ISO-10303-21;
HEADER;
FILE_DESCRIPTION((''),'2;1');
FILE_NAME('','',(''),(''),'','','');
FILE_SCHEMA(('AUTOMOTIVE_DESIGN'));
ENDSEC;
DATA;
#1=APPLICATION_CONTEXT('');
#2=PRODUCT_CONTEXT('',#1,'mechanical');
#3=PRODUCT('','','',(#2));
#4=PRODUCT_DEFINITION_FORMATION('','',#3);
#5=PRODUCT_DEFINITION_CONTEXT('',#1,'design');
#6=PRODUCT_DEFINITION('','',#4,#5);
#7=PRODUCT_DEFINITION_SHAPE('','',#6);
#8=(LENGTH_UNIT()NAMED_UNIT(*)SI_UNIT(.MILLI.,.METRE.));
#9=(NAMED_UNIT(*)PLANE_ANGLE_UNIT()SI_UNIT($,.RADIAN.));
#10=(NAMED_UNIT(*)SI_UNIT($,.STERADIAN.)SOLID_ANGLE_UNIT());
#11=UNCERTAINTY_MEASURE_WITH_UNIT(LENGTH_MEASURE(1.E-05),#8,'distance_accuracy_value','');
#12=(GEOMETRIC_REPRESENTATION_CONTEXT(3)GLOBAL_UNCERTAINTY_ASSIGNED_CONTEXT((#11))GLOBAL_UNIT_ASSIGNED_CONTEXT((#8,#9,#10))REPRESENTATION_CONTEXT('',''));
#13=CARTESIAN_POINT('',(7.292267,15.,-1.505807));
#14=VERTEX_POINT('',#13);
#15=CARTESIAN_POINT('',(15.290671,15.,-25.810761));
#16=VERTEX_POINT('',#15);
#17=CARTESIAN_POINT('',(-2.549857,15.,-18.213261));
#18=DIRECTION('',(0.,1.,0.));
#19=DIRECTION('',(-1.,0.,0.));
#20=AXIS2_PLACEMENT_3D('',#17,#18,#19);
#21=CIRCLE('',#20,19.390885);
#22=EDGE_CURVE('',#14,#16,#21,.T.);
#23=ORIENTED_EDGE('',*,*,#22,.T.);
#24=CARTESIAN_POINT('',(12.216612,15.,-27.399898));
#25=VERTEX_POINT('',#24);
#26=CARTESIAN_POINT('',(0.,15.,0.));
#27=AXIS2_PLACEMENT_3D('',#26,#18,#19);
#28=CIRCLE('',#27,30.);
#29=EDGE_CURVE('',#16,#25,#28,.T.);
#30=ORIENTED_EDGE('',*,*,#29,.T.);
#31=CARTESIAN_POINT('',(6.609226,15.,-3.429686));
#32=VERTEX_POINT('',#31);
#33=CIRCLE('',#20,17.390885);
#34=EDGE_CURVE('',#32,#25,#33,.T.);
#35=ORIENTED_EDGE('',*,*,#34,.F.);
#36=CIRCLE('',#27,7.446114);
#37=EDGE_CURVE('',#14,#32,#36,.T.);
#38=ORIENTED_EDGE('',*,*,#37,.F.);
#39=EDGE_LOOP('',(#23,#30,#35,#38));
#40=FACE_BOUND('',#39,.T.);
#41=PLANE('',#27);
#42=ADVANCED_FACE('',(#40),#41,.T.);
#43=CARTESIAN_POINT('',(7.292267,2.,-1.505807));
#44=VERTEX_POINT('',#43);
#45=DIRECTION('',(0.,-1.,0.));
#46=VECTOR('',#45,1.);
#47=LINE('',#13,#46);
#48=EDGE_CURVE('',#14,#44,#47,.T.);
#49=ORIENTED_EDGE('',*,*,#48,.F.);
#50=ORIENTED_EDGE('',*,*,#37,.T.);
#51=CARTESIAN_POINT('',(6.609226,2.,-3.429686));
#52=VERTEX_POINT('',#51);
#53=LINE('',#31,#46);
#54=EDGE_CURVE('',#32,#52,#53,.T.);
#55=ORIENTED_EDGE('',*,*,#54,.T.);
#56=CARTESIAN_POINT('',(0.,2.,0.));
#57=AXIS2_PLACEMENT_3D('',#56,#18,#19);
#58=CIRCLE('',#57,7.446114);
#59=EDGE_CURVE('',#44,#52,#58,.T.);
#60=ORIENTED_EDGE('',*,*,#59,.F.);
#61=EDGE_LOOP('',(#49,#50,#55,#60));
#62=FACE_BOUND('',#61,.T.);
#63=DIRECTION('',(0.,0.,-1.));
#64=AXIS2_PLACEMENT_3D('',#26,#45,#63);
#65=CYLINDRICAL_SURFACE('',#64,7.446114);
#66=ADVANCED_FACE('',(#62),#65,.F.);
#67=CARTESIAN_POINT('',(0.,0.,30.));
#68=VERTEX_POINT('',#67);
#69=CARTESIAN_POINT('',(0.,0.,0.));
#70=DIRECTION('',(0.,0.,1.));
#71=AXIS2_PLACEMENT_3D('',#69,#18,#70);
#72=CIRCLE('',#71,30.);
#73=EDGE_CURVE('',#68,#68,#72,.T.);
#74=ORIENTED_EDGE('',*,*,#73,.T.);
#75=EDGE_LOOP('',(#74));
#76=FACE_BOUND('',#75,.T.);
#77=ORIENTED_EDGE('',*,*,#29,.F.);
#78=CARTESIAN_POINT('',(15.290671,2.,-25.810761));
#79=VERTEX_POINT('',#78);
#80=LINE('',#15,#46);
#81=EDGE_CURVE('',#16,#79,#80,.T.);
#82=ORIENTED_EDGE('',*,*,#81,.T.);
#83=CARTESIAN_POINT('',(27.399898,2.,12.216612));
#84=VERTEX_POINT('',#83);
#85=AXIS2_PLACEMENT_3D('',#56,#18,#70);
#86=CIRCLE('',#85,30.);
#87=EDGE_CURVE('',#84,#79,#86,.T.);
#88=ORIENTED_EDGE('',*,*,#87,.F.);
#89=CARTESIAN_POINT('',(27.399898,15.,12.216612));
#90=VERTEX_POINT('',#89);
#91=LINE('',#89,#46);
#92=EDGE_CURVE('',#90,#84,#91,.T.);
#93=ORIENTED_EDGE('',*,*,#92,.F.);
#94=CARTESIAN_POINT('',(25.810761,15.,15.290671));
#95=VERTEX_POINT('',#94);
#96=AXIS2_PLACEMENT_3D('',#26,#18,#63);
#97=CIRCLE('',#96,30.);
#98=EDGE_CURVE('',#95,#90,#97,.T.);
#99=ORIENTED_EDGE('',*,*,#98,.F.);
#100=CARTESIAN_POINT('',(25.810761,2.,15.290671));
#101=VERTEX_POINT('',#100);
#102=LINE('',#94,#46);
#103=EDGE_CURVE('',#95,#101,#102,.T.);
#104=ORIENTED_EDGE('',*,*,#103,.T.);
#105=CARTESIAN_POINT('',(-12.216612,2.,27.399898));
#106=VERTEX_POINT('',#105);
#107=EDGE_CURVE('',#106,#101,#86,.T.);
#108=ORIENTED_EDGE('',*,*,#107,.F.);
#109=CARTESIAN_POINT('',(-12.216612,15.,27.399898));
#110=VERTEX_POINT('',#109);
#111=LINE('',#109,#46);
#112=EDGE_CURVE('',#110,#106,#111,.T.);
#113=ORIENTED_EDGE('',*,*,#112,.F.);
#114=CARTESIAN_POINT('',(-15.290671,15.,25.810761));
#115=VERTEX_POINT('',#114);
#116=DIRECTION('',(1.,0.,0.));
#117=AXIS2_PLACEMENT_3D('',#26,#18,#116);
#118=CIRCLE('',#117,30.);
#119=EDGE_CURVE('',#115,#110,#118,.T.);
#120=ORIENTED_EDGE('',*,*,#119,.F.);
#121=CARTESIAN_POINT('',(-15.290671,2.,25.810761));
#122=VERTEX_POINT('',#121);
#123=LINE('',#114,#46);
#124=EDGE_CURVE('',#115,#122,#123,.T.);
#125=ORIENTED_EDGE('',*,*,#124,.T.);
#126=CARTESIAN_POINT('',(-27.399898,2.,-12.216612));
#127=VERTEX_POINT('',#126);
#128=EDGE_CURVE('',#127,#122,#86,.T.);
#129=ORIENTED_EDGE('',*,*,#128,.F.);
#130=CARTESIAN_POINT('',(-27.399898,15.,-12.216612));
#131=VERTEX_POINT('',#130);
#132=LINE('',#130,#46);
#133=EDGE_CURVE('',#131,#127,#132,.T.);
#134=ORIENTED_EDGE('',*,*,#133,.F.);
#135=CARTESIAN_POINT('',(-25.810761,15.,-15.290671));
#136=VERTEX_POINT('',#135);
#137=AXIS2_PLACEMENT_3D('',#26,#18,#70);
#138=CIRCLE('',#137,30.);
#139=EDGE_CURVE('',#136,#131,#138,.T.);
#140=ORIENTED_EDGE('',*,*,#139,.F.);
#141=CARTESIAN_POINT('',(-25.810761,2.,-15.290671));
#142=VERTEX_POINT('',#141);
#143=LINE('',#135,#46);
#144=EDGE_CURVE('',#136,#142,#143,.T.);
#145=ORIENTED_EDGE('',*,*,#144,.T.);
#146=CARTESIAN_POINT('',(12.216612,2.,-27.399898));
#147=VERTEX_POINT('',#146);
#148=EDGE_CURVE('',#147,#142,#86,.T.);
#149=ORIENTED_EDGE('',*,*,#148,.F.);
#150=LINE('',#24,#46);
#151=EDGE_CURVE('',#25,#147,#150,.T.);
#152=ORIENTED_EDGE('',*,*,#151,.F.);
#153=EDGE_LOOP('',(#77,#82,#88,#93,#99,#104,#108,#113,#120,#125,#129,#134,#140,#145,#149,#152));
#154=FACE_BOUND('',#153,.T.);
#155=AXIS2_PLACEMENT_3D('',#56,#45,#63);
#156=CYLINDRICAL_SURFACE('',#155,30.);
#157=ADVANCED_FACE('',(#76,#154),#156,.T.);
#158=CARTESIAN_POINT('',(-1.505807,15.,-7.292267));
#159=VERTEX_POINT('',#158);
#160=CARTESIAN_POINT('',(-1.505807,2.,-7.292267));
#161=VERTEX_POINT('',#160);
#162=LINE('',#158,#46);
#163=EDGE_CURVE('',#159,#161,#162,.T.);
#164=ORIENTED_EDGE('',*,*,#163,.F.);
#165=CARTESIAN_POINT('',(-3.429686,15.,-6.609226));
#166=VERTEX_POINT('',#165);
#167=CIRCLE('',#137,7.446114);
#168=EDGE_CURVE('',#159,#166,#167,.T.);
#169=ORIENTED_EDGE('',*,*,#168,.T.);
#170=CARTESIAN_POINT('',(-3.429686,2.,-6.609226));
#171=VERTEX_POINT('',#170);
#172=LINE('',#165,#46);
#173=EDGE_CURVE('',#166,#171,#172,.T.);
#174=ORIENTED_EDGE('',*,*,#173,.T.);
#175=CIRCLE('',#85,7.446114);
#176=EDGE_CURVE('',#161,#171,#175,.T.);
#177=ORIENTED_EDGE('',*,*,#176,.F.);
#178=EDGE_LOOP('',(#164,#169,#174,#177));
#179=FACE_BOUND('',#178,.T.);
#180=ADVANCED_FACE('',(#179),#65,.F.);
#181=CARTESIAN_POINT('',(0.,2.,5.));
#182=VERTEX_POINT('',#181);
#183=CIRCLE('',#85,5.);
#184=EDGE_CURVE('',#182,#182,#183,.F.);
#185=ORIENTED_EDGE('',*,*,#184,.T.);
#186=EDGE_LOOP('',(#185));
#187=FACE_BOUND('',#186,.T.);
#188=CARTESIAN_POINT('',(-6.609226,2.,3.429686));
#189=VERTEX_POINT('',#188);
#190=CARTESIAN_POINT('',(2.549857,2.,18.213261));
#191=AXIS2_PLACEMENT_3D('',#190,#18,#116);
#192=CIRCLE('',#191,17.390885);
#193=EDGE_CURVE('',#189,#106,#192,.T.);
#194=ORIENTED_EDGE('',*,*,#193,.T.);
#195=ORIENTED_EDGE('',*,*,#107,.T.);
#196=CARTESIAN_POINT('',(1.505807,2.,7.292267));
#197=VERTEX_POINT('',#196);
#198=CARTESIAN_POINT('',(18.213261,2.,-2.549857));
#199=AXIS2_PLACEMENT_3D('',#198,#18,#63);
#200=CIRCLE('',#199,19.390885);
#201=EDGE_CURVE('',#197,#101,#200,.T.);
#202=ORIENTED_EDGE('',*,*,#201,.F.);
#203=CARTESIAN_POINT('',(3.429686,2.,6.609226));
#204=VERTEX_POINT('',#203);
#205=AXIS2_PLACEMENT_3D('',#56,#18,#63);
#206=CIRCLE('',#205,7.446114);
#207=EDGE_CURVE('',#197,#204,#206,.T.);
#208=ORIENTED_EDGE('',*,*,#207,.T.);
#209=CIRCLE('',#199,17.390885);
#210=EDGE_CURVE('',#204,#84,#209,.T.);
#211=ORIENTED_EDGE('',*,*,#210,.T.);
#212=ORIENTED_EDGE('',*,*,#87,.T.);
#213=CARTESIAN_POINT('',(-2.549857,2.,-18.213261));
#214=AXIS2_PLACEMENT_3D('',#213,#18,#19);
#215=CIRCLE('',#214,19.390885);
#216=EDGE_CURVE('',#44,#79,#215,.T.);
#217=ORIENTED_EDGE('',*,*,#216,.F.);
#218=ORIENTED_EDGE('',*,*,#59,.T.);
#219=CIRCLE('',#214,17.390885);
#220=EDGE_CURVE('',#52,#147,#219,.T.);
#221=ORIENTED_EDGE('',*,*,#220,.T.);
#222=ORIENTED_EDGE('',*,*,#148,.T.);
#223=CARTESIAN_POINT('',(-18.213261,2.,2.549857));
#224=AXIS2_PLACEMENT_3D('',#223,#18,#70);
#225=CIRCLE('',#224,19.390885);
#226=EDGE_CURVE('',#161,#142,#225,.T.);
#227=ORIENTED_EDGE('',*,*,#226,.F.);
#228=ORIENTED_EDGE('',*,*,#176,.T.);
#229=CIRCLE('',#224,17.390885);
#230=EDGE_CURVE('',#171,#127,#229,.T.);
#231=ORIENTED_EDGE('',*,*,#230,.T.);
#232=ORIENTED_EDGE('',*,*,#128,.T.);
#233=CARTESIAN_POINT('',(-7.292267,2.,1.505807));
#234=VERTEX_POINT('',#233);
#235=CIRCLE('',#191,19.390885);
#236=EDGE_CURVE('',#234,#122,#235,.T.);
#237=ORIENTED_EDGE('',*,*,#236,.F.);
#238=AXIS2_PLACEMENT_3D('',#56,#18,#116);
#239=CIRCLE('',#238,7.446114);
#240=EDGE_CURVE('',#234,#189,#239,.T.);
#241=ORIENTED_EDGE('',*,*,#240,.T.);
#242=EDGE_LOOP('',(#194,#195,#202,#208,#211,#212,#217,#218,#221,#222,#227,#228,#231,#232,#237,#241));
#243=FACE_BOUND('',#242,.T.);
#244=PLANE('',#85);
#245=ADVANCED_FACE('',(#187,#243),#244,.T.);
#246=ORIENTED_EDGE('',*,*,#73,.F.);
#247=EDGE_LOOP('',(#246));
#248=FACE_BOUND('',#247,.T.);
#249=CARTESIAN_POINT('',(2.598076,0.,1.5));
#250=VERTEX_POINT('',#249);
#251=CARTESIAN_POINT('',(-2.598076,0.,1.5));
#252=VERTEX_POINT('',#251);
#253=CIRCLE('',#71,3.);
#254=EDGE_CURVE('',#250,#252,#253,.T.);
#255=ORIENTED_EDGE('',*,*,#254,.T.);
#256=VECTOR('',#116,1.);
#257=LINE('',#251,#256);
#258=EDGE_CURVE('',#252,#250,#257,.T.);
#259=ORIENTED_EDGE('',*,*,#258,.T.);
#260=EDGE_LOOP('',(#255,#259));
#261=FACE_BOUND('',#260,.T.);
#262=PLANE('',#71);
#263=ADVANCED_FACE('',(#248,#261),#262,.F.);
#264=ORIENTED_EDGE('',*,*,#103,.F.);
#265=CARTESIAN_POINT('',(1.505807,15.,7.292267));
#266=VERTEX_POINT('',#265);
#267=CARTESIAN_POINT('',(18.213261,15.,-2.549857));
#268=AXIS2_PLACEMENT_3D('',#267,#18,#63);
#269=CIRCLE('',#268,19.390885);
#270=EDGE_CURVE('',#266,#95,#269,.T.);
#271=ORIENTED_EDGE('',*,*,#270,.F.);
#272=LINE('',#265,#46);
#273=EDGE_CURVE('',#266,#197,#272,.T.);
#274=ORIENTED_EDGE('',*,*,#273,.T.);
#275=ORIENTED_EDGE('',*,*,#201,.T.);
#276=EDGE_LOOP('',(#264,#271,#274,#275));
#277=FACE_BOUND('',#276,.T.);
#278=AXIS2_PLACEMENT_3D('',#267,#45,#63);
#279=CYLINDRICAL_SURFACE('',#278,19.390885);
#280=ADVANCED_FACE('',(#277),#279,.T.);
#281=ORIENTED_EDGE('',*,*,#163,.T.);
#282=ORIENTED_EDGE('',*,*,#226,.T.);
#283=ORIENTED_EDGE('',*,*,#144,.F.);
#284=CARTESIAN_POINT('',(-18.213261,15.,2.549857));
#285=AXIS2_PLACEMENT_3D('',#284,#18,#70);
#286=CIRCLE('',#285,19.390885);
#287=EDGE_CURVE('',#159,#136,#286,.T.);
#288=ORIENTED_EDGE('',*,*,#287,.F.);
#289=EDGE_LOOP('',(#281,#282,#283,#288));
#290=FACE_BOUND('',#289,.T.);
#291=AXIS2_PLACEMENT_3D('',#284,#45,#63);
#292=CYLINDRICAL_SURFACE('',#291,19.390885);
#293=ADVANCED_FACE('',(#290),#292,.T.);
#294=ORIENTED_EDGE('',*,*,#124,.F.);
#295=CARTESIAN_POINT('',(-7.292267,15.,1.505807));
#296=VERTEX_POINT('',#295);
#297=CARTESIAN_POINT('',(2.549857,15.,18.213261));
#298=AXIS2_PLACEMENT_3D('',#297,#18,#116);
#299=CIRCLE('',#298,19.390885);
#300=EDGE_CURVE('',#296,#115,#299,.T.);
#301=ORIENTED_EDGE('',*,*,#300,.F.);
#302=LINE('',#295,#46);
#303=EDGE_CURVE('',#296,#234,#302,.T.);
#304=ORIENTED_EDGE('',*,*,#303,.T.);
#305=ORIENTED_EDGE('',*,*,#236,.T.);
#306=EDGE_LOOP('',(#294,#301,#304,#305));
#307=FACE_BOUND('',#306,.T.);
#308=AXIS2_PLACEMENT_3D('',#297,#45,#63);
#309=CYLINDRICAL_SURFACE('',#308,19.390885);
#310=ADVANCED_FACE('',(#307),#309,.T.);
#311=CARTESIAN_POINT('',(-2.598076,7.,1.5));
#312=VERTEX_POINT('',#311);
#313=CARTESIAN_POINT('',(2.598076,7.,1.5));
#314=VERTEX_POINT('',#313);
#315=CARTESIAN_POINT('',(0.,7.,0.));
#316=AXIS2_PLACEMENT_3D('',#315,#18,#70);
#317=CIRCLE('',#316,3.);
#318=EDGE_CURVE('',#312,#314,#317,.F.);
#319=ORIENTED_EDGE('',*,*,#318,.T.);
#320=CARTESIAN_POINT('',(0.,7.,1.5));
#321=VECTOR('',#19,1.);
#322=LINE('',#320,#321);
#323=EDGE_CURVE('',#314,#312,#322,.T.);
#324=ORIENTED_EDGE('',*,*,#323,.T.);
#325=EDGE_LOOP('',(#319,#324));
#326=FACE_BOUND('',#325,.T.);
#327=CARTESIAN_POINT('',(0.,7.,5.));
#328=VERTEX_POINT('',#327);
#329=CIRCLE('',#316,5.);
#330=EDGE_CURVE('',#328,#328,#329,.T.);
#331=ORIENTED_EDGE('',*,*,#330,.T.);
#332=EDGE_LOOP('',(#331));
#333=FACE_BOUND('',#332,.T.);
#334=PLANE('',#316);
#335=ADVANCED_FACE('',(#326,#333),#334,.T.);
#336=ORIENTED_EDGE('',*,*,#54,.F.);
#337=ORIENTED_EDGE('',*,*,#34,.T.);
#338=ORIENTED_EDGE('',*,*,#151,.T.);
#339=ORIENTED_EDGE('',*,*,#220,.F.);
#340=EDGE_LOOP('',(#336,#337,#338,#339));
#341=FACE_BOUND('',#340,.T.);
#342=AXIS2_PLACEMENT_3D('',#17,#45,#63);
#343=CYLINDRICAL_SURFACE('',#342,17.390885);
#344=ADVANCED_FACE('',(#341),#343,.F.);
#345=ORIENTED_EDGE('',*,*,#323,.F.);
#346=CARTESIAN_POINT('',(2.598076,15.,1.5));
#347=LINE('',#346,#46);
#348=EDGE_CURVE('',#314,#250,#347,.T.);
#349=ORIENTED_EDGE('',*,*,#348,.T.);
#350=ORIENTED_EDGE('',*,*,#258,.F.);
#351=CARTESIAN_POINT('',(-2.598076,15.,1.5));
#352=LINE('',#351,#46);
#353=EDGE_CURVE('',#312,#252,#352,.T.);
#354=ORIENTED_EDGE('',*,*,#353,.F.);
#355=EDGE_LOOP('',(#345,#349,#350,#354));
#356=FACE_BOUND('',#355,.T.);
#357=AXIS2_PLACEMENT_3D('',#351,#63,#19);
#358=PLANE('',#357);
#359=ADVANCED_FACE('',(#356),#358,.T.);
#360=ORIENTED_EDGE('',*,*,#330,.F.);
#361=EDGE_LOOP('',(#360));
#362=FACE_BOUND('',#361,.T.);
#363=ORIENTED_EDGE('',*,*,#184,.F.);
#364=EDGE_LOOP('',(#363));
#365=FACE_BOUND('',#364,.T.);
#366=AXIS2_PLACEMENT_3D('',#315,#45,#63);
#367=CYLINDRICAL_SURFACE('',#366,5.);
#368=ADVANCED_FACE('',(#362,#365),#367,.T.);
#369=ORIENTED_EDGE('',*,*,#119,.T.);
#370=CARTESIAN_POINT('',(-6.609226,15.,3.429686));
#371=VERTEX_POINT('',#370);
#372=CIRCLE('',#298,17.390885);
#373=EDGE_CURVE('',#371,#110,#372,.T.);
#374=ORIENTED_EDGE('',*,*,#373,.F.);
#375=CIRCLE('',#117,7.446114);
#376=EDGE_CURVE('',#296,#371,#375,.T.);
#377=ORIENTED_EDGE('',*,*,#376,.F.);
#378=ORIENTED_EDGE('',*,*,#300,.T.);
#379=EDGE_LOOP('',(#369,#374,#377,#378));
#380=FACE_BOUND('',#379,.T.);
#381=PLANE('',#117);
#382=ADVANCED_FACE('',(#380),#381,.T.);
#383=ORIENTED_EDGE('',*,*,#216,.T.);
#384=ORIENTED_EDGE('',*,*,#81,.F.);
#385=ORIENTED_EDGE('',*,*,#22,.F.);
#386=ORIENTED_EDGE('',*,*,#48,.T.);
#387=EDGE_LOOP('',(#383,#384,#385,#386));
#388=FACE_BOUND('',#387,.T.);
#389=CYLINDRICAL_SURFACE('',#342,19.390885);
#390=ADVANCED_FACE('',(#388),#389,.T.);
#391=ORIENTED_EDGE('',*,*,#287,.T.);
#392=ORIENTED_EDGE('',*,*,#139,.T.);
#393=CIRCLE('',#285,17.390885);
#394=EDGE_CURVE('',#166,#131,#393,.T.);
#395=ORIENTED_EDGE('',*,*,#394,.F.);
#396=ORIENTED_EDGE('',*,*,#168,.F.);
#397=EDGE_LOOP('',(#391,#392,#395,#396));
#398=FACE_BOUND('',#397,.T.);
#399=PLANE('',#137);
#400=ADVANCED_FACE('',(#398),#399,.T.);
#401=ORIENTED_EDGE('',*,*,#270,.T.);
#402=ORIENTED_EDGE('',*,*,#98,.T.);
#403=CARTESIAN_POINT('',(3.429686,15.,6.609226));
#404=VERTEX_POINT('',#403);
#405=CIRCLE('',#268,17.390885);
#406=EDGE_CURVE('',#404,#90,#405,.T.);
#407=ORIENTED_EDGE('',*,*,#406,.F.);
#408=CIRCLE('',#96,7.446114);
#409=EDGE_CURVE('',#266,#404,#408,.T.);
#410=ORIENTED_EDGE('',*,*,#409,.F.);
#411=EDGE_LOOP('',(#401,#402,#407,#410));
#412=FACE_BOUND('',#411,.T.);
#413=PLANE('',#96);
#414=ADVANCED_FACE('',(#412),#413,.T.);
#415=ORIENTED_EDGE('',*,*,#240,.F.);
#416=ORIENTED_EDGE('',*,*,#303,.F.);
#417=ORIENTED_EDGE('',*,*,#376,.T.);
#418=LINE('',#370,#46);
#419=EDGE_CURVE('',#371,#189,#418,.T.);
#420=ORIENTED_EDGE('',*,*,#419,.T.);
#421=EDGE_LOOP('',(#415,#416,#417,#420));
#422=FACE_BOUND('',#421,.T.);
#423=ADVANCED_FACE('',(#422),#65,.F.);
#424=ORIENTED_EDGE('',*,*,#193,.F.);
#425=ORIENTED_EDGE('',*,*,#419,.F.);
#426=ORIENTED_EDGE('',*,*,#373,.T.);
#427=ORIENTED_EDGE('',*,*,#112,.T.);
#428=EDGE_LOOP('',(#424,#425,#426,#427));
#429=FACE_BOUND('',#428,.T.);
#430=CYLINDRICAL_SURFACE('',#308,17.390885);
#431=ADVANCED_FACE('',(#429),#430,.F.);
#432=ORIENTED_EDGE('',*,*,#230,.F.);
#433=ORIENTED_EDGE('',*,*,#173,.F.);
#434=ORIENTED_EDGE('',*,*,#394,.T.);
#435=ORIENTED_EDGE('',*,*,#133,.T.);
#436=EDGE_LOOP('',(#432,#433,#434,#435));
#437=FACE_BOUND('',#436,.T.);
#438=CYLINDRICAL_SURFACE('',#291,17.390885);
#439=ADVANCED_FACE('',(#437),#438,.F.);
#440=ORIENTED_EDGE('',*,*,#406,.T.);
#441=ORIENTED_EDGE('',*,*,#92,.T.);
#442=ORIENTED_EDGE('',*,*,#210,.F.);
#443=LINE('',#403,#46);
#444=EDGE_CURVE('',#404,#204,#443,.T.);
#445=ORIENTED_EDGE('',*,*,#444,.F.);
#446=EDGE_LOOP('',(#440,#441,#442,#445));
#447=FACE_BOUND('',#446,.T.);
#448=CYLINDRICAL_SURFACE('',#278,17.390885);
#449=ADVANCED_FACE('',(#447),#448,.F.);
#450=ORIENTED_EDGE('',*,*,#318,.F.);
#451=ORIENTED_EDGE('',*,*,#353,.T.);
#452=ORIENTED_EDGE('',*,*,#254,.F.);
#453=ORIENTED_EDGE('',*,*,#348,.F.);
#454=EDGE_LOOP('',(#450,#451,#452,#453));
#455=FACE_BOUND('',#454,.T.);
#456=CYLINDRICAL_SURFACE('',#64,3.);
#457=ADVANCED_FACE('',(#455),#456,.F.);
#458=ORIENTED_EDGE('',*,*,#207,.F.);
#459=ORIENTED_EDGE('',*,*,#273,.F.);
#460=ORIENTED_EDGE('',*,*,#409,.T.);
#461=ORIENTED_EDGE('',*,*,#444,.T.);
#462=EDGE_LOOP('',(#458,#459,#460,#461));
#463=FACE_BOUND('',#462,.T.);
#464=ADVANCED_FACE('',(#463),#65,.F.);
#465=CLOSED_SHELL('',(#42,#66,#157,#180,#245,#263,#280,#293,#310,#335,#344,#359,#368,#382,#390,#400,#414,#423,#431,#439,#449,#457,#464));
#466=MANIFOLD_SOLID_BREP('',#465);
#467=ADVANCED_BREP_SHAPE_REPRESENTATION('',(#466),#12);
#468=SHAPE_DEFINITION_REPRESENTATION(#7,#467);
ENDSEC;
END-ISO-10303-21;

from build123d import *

# Parameters (mm, degrees)
SKETCH1_R           = 30
BOSS_EXTRUDE1_DEPTH = 2
SKETCH2_R           = 5
BOSS_EXTRUDE2_DEPTH = 7
BOSS_EXTRUDE3_DEPTH = 13
CUT_EXTRUDE1_DEPTH  = 16
CIRPATTERN2_COUNT   = 4


with BuildPart() as part:
    # Sketch1 → Boss-Extrude1 (new body)
    with BuildSketch(Plane(origin=(0, 0, 0), x_dir=(1, 0, 0), z_dir=(0, 1, 0))):
        Circle(SKETCH1_R)
    extrude(amount=BOSS_EXTRUDE1_DEPTH)

    # Sketch2 → Boss-Extrude2 (add)
    with BuildSketch(Plane(origin=(0, 0, 0), x_dir=(1, 0, 0), z_dir=(0, 1, 0))):
        Circle(SKETCH2_R)
    extrude(amount=BOSS_EXTRUDE2_DEPTH)

    # Sketch3 → Boss-Extrude3 (add)
    with BuildSketch(Plane(origin=(0, 2, 0), x_dir=(1, 0, 0), z_dir=(0, 1, 0))):
        with BuildLine():
            ThreePointArc((-1.505806951, 7.292266896), (-12.151790035, 15.86929072), (-25.810761164, 15.290670625))
            ThreePointArc((-25.810761164, 15.290670625), (-26.649690738, 13.776573724), (-27.399897799, 12.216611666))
            ThreePointArc((-27.399897799, 12.216611666), (-14.251932533, 14.383859932), (-3.429686075, 6.60922571))
            ThreePointArc((-3.429686075, 6.60922571), (-2.491266579, 7.016993793), (-1.505806951, 7.292266896))
        make_face()
    boss_extrude3 = extrude(amount=BOSS_EXTRUDE3_DEPTH)

    # Sketch4 → Cut-Extrude1 (cut, through all)
    with BuildSketch(Plane(origin=(0, 0, 0), x_dir=(1, 0, 0), z_dir=(0, 1, 0))):
        with BuildLine():
            Line((-2.598076211, -1.5), (2.598076211, -1.5))
            ThreePointArc((2.598076211, -1.5), (0, 3), (-2.598076211, -1.5))
        make_face()
    extrude(amount=CUT_EXTRUDE1_DEPTH, mode=Mode.SUBTRACT)

    # CirPattern2: Boss-Extrude3 ×4 about axis
    cirpattern2_axis = Axis((0, 0, 0), (0, 1, 0))
    for i in range(1, CIRPATTERN2_COUNT):
        add(boss_extrude3.rotate(cirpattern2_axis, i * 360 / CIRPATTERN2_COUNT))


solid = part.part
